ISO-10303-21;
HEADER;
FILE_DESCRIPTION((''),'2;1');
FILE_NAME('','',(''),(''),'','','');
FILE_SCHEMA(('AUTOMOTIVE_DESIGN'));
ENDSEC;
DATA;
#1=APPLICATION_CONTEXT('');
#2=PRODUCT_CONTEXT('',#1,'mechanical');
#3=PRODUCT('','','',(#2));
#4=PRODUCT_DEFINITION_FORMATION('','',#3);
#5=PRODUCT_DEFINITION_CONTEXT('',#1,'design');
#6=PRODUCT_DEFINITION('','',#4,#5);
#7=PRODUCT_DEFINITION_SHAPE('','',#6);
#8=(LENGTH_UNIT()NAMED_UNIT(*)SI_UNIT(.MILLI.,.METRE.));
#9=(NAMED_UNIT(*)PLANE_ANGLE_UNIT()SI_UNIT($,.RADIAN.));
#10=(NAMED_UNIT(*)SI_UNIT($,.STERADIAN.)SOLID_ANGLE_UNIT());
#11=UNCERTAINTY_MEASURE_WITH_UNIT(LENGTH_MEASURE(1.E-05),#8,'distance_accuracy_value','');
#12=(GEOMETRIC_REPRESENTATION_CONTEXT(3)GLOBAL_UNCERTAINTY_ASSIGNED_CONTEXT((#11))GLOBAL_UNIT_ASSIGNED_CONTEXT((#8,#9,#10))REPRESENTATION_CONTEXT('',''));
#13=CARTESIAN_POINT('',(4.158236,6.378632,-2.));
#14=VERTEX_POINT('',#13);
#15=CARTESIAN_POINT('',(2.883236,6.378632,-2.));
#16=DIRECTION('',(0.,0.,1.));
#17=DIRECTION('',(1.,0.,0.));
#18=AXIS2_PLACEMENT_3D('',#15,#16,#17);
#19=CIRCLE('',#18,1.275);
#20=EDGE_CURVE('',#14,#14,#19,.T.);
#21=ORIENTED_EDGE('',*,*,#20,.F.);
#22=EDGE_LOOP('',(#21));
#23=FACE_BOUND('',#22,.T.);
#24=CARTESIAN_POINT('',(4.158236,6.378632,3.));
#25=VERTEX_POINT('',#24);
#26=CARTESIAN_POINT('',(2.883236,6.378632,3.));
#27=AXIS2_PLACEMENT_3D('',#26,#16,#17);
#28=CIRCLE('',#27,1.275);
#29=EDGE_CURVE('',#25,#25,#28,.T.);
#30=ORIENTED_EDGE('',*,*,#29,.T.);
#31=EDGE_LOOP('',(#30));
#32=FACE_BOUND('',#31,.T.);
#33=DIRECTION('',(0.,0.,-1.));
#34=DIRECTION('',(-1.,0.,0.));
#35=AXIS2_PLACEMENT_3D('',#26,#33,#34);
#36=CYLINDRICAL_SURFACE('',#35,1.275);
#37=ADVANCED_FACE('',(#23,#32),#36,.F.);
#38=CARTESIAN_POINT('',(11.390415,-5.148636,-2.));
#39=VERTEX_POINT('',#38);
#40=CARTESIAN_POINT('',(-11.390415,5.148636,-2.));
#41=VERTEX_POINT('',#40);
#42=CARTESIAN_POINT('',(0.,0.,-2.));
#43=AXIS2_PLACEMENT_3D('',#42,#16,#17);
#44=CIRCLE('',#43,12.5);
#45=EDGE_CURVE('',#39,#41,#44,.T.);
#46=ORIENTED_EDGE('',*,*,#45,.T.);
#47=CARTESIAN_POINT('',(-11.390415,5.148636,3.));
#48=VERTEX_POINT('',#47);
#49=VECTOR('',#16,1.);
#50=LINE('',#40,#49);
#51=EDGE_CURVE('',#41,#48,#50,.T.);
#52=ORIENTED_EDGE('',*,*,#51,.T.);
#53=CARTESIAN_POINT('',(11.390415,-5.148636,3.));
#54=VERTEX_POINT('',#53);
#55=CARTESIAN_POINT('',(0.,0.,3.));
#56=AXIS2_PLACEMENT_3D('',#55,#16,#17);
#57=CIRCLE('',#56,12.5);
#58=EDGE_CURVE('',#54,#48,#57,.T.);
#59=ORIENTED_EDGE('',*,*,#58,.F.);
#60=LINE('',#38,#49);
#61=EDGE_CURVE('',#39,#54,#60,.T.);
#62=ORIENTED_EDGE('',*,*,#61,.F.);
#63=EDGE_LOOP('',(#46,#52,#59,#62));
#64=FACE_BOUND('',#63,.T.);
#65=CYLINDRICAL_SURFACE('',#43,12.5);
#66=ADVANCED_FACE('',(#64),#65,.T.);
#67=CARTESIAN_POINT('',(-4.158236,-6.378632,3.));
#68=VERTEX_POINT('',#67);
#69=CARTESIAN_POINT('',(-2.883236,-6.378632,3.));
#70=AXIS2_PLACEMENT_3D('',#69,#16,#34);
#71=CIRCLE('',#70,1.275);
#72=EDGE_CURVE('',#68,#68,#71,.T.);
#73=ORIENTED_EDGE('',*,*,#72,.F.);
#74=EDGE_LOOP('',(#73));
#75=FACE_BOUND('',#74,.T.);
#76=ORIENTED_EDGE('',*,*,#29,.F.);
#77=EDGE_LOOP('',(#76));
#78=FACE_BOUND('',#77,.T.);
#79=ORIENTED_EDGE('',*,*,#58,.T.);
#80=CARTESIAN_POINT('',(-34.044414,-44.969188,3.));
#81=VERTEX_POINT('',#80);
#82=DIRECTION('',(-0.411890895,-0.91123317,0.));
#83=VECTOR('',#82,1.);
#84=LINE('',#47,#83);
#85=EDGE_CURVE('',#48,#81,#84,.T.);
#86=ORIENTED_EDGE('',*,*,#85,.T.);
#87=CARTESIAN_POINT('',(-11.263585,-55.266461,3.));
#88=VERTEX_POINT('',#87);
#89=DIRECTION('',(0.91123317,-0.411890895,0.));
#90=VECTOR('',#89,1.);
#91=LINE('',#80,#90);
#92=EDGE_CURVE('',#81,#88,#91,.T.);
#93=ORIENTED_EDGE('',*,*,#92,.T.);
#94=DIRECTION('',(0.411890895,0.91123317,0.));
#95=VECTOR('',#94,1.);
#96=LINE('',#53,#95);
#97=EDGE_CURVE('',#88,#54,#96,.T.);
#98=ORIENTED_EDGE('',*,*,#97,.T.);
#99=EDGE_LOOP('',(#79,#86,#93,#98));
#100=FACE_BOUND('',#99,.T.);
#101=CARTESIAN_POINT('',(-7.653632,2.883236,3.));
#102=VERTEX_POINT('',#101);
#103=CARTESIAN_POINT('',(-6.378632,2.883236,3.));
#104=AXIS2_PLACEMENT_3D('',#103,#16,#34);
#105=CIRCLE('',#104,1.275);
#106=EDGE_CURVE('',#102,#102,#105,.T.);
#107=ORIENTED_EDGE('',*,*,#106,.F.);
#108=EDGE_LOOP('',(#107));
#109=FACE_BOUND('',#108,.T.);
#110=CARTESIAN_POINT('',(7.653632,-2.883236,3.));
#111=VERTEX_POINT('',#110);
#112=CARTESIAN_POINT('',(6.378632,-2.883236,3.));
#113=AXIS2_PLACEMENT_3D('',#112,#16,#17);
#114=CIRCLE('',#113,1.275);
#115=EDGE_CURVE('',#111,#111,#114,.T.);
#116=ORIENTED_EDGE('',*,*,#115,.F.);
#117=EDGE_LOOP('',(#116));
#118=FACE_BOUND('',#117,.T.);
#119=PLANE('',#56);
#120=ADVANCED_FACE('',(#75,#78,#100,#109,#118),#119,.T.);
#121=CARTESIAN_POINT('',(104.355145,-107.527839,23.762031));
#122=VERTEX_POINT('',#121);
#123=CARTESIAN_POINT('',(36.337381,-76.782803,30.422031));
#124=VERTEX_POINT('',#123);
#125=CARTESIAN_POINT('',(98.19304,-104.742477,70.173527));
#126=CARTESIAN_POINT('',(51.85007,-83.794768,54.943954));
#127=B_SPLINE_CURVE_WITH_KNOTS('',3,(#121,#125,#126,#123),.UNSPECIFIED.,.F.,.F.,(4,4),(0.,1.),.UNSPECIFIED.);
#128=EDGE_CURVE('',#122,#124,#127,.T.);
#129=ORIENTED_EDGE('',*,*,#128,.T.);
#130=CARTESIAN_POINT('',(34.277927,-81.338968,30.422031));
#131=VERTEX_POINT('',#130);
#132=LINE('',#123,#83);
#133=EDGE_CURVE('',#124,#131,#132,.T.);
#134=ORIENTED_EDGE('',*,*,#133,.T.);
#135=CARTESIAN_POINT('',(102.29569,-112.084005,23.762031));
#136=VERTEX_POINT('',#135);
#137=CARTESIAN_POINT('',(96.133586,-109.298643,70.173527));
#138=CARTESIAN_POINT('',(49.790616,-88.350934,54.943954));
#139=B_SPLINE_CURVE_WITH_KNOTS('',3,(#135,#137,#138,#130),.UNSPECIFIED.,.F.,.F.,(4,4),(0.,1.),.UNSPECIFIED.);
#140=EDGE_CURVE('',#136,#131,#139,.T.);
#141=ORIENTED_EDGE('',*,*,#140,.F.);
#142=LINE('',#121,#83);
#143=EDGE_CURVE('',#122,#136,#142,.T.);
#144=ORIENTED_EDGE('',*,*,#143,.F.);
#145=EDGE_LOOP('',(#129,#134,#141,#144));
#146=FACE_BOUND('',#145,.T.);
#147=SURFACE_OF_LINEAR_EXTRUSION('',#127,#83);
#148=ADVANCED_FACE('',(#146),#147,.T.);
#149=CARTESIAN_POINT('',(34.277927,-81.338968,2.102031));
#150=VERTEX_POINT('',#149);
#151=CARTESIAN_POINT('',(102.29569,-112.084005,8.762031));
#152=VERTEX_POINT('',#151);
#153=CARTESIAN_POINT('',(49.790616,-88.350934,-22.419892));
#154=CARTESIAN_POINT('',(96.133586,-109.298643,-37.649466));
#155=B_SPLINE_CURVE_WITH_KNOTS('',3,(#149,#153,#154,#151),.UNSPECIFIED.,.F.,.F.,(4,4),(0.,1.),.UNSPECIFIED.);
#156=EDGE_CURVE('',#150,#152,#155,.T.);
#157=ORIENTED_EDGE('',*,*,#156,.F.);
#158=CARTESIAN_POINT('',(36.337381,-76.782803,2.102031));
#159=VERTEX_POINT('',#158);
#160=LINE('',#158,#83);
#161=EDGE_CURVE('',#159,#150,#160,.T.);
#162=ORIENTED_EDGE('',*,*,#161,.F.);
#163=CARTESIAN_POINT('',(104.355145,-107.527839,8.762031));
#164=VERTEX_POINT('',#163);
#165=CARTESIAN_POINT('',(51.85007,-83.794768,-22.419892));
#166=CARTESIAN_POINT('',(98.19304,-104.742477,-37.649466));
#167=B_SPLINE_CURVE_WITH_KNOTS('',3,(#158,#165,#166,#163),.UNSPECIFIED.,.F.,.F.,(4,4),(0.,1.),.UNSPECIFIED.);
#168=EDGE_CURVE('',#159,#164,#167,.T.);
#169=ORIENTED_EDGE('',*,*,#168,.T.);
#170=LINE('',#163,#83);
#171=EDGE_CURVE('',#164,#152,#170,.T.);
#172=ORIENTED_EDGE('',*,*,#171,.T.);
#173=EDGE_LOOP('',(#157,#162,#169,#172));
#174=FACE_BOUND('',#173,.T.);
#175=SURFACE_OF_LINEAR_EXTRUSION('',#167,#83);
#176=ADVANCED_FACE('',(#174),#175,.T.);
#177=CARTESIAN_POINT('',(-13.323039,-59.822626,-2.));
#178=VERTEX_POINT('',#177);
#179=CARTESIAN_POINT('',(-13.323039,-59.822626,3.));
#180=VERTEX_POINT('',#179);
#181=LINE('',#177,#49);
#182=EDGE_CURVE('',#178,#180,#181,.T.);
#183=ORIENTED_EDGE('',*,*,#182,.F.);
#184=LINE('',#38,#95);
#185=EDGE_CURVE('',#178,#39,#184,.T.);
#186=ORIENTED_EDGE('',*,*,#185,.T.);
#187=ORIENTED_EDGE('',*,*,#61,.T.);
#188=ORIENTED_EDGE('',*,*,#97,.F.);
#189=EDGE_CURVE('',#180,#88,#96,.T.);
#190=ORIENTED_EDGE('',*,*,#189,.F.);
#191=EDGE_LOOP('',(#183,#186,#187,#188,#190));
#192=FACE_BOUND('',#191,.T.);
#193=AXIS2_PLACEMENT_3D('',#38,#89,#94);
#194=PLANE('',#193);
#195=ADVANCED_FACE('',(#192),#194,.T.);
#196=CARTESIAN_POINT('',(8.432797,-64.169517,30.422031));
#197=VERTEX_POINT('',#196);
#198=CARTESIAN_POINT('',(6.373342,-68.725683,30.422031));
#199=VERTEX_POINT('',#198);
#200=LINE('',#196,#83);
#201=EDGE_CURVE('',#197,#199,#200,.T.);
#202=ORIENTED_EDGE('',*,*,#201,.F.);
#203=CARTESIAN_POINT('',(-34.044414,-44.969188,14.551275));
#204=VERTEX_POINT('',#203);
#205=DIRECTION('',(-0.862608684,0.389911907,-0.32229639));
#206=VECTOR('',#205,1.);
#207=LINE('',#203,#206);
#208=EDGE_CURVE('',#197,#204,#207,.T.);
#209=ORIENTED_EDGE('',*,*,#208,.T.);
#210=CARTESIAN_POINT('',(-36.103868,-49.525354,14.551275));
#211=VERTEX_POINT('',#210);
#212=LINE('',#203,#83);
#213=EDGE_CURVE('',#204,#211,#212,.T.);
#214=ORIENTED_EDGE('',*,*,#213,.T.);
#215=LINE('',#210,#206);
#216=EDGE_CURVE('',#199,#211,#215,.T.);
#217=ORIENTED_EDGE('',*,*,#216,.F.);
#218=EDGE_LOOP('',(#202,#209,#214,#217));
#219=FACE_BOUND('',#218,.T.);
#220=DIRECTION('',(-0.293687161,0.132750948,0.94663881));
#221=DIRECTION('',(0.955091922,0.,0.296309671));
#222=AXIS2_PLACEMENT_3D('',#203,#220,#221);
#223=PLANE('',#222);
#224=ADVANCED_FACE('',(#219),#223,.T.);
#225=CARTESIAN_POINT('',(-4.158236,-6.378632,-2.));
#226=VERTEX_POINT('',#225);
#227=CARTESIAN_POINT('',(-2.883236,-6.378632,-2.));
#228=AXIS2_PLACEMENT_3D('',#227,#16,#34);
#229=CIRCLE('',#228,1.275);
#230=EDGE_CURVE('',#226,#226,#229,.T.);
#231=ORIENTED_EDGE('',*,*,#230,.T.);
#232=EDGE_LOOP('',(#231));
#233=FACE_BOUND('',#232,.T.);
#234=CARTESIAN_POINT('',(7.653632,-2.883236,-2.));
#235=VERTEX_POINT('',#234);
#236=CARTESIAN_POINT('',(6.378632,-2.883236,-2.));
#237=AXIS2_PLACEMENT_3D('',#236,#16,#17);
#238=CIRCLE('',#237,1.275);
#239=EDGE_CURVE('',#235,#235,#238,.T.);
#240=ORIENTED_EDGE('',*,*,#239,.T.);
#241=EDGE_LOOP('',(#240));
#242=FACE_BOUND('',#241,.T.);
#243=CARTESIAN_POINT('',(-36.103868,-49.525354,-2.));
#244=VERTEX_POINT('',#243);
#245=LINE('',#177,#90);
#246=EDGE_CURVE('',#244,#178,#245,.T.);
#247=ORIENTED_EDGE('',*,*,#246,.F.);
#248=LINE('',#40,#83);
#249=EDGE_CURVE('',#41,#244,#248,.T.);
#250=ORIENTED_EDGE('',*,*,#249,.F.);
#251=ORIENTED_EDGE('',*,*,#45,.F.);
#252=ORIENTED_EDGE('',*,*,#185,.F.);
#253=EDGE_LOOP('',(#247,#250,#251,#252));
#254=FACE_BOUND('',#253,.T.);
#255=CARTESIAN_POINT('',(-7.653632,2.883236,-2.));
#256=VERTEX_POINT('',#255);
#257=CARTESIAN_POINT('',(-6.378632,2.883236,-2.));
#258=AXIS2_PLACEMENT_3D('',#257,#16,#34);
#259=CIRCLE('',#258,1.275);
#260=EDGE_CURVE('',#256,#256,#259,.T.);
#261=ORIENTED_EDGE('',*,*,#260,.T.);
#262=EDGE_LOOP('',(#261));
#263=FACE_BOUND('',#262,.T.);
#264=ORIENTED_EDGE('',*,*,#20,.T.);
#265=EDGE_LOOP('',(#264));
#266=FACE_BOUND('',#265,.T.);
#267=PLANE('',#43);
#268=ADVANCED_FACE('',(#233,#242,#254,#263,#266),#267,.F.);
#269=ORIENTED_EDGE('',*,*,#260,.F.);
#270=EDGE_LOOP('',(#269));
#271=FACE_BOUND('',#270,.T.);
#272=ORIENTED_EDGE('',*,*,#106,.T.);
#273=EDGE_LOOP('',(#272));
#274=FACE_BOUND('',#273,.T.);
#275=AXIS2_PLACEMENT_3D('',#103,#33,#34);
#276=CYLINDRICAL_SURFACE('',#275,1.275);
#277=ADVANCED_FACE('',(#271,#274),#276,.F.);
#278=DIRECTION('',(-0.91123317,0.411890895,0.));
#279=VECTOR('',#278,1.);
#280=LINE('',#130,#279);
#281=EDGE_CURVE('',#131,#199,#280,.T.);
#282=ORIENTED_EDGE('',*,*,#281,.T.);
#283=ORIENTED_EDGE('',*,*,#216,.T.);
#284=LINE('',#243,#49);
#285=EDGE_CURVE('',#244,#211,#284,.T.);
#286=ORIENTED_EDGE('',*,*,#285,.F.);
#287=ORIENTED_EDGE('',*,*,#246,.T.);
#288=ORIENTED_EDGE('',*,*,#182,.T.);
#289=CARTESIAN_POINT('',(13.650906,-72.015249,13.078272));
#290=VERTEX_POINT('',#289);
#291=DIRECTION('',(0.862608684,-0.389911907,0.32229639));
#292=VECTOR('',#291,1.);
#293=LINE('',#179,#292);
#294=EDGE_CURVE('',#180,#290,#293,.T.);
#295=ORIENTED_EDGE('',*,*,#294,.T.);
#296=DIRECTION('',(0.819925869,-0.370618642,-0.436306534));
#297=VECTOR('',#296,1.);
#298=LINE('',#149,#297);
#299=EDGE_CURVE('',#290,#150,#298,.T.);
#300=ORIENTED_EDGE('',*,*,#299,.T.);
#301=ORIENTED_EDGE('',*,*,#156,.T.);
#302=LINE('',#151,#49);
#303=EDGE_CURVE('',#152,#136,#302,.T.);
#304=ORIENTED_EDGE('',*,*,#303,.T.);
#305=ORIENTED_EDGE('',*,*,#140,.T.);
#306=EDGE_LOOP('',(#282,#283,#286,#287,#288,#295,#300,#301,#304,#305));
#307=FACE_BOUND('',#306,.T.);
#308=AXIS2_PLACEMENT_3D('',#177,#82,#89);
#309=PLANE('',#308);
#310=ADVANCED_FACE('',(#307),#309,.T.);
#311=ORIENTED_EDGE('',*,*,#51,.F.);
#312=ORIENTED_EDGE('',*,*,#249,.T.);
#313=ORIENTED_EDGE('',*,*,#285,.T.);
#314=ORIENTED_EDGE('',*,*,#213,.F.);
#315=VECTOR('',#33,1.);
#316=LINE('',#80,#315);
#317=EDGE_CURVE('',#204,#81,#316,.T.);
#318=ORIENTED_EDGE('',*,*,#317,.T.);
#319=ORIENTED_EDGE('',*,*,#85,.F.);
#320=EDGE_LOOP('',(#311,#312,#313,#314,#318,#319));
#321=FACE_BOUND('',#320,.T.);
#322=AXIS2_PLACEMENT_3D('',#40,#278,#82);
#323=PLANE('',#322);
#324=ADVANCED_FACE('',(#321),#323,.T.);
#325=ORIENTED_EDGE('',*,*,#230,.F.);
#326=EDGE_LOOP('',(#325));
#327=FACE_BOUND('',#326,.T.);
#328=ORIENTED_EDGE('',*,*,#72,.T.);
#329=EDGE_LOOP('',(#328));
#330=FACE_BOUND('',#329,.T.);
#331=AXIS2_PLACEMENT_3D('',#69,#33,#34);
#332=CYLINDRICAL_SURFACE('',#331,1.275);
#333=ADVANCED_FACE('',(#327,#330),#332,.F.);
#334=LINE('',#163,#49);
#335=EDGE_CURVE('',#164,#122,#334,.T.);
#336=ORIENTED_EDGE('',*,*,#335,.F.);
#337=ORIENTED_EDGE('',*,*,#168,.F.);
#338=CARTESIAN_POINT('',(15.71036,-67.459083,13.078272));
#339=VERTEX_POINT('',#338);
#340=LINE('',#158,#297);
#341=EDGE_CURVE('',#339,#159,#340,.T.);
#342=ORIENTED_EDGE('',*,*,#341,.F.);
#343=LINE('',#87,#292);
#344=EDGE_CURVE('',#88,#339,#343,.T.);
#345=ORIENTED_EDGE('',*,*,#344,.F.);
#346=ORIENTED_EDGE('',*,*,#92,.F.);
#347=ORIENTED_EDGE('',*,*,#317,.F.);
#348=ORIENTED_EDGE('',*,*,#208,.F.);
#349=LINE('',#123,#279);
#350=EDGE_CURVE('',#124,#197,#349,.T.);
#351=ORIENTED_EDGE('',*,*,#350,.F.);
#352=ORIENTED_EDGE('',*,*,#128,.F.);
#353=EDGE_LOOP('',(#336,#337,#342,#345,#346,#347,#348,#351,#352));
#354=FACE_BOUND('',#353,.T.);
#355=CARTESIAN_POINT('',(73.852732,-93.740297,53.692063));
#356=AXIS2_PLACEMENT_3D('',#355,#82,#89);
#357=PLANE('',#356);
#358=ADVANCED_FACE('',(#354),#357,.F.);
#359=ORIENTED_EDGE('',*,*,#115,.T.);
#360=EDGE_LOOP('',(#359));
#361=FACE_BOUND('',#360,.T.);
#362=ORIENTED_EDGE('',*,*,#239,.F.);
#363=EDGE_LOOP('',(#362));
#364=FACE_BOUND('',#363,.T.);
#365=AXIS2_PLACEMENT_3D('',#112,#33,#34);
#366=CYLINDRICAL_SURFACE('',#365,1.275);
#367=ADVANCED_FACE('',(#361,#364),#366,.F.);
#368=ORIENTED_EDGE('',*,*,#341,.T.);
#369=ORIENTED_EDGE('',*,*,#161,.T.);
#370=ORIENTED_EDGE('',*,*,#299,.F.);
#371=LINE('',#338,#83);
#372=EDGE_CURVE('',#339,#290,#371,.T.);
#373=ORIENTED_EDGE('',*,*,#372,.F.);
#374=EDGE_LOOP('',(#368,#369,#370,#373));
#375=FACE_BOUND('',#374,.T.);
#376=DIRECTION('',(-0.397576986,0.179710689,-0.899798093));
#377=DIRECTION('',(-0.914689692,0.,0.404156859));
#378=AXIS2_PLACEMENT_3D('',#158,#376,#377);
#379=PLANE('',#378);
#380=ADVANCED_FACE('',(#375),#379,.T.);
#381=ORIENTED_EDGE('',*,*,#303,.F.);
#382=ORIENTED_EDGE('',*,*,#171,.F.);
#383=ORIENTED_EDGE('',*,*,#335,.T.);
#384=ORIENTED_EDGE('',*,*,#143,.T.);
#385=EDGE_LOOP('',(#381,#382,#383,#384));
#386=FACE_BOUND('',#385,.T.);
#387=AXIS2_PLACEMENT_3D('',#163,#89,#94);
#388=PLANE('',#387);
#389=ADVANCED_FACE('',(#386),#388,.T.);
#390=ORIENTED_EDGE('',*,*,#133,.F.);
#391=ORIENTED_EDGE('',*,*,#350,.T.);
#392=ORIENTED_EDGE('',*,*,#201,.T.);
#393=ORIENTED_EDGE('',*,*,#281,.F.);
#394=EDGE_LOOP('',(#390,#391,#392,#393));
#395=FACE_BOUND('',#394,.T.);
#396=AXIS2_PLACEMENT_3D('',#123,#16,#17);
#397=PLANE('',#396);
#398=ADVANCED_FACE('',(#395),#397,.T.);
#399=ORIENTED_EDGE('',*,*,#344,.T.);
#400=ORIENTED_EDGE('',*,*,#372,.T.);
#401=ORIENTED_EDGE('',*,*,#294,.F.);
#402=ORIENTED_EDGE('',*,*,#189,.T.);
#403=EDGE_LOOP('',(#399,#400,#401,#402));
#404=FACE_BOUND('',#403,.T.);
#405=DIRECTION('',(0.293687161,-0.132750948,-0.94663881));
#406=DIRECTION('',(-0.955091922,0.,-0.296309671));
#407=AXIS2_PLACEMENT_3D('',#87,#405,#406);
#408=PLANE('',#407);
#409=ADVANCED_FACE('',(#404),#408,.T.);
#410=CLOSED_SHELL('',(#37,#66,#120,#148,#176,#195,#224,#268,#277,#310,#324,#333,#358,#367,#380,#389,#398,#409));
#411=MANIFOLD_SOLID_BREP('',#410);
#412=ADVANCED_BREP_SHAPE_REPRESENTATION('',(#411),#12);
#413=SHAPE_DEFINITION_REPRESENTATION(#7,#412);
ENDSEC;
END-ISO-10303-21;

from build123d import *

# Parameters (mm, degrees)
SKETCH2_R           = 10
SKETCH2_R_2         = 1.275
BOSS_EXTRUDE1_DEPTH = 3
SKETCH3_R           = 1.275
BOSS_EXTRUDE2_DEPTH = 5
BOSS_EXTRUDE3_DEPTH = 5


with BuildPart() as part:
    # Sketch2 → Boss-Extrude1 (new body)
    with BuildSketch(Plane.XY):
        Circle(SKETCH2_R)
        with Locations((2.883236265, 6.378632192)):
            Circle(SKETCH2_R_2, mode=Mode.SUBTRACT)
        with Locations((6.378632192, -2.883236265)):
            Circle(SKETCH2_R_2, mode=Mode.SUBTRACT)
        with Locations((-2.883236265, -6.378632192)):
            Circle(SKETCH2_R_2, mode=Mode.SUBTRACT)
        with Locations((-6.378632192, 2.883236265)):
            Circle(SKETCH2_R_2, mode=Mode.SUBTRACT)
    extrude(amount=BOSS_EXTRUDE1_DEPTH)

    # Sketch3 → Boss-Extrude2 (add)
    with BuildSketch(Plane.XY.offset(3)):
        with BuildLine():
            Line((11.390414628, -5.148636188), (-13.323039072, -59.822626404))
            Line((-13.323039072, -59.822626404), (-36.103868329, -49.525354029))
            Line((-36.103868329, -49.525354029), (-11.390414628, 5.148636188))
            ThreePointArc((-11.390414628, 5.148636188), (5.148636188, 11.390414628), (11.390414628, -5.148636188))
        make_face()
        with Locations((2.883236265, 6.378632192)):
            Circle(SKETCH3_R, mode=Mode.SUBTRACT)
        with Locations((6.378632192, -2.883236265)):
            Circle(SKETCH3_R, mode=Mode.SUBTRACT)
        with Locations((-2.883236265, -6.378632192)):
            Circle(SKETCH3_R, mode=Mode.SUBTRACT)
        with Locations((-6.378632192, 2.883236265)):
            Circle(SKETCH3_R, mode=Mode.SUBTRACT)
    extrude(amount=-BOSS_EXTRUDE2_DEPTH)

    # Sketch4 → Boss-Extrude3 (add)
    with BuildSketch(Plane(origin=(-24.7134537, -54.673990217, 0), x_dir=(-0.91123317, 0.411890895, 0), z_dir=(-0.411890895, -0.91123317, 0))):
        with BuildLine():
            Line((-64.737964533, -30.42203086), (-34.115083994, -30.42203086))
            Line((-34.115083994, -30.42203086), (12.5, -14.551275179))
            Line((12.5, -14.551275179), (12.5, -3))
            Line((12.5, -3), (-12.5, -3))
            Line((-12.5, -3), (-42.101583528, -13.07827209))
            Line((-42.101583528, -13.07827209), (-64.737964533, -2.10203086))
            add(Edge.make_bspline(
                [(-64.737964533, -2.10203086), (-81.761805894, 22.419892021), (-132.619227666, 37.649465731), (-139.381607577, -8.76203086)],
                knots=[0, 0, 0, 0, 1, 1, 1, 1], degree=3))
            Line((-139.381607577, -8.76203086), (-139.381607577, -23.76203086))
            add(Edge.make_bspline(
                [(-64.737964533, -30.42203086), (-81.761805894, -54.943953742), (-132.619227666, -70.173527452), (-139.381607577, -23.76203086)],
                knots=[0, 0, 0, 0, 1, 1, 1, 1], degree=3))
        make_face()
    extrude(amount=-BOSS_EXTRUDE3_DEPTH)


solid = part.part
